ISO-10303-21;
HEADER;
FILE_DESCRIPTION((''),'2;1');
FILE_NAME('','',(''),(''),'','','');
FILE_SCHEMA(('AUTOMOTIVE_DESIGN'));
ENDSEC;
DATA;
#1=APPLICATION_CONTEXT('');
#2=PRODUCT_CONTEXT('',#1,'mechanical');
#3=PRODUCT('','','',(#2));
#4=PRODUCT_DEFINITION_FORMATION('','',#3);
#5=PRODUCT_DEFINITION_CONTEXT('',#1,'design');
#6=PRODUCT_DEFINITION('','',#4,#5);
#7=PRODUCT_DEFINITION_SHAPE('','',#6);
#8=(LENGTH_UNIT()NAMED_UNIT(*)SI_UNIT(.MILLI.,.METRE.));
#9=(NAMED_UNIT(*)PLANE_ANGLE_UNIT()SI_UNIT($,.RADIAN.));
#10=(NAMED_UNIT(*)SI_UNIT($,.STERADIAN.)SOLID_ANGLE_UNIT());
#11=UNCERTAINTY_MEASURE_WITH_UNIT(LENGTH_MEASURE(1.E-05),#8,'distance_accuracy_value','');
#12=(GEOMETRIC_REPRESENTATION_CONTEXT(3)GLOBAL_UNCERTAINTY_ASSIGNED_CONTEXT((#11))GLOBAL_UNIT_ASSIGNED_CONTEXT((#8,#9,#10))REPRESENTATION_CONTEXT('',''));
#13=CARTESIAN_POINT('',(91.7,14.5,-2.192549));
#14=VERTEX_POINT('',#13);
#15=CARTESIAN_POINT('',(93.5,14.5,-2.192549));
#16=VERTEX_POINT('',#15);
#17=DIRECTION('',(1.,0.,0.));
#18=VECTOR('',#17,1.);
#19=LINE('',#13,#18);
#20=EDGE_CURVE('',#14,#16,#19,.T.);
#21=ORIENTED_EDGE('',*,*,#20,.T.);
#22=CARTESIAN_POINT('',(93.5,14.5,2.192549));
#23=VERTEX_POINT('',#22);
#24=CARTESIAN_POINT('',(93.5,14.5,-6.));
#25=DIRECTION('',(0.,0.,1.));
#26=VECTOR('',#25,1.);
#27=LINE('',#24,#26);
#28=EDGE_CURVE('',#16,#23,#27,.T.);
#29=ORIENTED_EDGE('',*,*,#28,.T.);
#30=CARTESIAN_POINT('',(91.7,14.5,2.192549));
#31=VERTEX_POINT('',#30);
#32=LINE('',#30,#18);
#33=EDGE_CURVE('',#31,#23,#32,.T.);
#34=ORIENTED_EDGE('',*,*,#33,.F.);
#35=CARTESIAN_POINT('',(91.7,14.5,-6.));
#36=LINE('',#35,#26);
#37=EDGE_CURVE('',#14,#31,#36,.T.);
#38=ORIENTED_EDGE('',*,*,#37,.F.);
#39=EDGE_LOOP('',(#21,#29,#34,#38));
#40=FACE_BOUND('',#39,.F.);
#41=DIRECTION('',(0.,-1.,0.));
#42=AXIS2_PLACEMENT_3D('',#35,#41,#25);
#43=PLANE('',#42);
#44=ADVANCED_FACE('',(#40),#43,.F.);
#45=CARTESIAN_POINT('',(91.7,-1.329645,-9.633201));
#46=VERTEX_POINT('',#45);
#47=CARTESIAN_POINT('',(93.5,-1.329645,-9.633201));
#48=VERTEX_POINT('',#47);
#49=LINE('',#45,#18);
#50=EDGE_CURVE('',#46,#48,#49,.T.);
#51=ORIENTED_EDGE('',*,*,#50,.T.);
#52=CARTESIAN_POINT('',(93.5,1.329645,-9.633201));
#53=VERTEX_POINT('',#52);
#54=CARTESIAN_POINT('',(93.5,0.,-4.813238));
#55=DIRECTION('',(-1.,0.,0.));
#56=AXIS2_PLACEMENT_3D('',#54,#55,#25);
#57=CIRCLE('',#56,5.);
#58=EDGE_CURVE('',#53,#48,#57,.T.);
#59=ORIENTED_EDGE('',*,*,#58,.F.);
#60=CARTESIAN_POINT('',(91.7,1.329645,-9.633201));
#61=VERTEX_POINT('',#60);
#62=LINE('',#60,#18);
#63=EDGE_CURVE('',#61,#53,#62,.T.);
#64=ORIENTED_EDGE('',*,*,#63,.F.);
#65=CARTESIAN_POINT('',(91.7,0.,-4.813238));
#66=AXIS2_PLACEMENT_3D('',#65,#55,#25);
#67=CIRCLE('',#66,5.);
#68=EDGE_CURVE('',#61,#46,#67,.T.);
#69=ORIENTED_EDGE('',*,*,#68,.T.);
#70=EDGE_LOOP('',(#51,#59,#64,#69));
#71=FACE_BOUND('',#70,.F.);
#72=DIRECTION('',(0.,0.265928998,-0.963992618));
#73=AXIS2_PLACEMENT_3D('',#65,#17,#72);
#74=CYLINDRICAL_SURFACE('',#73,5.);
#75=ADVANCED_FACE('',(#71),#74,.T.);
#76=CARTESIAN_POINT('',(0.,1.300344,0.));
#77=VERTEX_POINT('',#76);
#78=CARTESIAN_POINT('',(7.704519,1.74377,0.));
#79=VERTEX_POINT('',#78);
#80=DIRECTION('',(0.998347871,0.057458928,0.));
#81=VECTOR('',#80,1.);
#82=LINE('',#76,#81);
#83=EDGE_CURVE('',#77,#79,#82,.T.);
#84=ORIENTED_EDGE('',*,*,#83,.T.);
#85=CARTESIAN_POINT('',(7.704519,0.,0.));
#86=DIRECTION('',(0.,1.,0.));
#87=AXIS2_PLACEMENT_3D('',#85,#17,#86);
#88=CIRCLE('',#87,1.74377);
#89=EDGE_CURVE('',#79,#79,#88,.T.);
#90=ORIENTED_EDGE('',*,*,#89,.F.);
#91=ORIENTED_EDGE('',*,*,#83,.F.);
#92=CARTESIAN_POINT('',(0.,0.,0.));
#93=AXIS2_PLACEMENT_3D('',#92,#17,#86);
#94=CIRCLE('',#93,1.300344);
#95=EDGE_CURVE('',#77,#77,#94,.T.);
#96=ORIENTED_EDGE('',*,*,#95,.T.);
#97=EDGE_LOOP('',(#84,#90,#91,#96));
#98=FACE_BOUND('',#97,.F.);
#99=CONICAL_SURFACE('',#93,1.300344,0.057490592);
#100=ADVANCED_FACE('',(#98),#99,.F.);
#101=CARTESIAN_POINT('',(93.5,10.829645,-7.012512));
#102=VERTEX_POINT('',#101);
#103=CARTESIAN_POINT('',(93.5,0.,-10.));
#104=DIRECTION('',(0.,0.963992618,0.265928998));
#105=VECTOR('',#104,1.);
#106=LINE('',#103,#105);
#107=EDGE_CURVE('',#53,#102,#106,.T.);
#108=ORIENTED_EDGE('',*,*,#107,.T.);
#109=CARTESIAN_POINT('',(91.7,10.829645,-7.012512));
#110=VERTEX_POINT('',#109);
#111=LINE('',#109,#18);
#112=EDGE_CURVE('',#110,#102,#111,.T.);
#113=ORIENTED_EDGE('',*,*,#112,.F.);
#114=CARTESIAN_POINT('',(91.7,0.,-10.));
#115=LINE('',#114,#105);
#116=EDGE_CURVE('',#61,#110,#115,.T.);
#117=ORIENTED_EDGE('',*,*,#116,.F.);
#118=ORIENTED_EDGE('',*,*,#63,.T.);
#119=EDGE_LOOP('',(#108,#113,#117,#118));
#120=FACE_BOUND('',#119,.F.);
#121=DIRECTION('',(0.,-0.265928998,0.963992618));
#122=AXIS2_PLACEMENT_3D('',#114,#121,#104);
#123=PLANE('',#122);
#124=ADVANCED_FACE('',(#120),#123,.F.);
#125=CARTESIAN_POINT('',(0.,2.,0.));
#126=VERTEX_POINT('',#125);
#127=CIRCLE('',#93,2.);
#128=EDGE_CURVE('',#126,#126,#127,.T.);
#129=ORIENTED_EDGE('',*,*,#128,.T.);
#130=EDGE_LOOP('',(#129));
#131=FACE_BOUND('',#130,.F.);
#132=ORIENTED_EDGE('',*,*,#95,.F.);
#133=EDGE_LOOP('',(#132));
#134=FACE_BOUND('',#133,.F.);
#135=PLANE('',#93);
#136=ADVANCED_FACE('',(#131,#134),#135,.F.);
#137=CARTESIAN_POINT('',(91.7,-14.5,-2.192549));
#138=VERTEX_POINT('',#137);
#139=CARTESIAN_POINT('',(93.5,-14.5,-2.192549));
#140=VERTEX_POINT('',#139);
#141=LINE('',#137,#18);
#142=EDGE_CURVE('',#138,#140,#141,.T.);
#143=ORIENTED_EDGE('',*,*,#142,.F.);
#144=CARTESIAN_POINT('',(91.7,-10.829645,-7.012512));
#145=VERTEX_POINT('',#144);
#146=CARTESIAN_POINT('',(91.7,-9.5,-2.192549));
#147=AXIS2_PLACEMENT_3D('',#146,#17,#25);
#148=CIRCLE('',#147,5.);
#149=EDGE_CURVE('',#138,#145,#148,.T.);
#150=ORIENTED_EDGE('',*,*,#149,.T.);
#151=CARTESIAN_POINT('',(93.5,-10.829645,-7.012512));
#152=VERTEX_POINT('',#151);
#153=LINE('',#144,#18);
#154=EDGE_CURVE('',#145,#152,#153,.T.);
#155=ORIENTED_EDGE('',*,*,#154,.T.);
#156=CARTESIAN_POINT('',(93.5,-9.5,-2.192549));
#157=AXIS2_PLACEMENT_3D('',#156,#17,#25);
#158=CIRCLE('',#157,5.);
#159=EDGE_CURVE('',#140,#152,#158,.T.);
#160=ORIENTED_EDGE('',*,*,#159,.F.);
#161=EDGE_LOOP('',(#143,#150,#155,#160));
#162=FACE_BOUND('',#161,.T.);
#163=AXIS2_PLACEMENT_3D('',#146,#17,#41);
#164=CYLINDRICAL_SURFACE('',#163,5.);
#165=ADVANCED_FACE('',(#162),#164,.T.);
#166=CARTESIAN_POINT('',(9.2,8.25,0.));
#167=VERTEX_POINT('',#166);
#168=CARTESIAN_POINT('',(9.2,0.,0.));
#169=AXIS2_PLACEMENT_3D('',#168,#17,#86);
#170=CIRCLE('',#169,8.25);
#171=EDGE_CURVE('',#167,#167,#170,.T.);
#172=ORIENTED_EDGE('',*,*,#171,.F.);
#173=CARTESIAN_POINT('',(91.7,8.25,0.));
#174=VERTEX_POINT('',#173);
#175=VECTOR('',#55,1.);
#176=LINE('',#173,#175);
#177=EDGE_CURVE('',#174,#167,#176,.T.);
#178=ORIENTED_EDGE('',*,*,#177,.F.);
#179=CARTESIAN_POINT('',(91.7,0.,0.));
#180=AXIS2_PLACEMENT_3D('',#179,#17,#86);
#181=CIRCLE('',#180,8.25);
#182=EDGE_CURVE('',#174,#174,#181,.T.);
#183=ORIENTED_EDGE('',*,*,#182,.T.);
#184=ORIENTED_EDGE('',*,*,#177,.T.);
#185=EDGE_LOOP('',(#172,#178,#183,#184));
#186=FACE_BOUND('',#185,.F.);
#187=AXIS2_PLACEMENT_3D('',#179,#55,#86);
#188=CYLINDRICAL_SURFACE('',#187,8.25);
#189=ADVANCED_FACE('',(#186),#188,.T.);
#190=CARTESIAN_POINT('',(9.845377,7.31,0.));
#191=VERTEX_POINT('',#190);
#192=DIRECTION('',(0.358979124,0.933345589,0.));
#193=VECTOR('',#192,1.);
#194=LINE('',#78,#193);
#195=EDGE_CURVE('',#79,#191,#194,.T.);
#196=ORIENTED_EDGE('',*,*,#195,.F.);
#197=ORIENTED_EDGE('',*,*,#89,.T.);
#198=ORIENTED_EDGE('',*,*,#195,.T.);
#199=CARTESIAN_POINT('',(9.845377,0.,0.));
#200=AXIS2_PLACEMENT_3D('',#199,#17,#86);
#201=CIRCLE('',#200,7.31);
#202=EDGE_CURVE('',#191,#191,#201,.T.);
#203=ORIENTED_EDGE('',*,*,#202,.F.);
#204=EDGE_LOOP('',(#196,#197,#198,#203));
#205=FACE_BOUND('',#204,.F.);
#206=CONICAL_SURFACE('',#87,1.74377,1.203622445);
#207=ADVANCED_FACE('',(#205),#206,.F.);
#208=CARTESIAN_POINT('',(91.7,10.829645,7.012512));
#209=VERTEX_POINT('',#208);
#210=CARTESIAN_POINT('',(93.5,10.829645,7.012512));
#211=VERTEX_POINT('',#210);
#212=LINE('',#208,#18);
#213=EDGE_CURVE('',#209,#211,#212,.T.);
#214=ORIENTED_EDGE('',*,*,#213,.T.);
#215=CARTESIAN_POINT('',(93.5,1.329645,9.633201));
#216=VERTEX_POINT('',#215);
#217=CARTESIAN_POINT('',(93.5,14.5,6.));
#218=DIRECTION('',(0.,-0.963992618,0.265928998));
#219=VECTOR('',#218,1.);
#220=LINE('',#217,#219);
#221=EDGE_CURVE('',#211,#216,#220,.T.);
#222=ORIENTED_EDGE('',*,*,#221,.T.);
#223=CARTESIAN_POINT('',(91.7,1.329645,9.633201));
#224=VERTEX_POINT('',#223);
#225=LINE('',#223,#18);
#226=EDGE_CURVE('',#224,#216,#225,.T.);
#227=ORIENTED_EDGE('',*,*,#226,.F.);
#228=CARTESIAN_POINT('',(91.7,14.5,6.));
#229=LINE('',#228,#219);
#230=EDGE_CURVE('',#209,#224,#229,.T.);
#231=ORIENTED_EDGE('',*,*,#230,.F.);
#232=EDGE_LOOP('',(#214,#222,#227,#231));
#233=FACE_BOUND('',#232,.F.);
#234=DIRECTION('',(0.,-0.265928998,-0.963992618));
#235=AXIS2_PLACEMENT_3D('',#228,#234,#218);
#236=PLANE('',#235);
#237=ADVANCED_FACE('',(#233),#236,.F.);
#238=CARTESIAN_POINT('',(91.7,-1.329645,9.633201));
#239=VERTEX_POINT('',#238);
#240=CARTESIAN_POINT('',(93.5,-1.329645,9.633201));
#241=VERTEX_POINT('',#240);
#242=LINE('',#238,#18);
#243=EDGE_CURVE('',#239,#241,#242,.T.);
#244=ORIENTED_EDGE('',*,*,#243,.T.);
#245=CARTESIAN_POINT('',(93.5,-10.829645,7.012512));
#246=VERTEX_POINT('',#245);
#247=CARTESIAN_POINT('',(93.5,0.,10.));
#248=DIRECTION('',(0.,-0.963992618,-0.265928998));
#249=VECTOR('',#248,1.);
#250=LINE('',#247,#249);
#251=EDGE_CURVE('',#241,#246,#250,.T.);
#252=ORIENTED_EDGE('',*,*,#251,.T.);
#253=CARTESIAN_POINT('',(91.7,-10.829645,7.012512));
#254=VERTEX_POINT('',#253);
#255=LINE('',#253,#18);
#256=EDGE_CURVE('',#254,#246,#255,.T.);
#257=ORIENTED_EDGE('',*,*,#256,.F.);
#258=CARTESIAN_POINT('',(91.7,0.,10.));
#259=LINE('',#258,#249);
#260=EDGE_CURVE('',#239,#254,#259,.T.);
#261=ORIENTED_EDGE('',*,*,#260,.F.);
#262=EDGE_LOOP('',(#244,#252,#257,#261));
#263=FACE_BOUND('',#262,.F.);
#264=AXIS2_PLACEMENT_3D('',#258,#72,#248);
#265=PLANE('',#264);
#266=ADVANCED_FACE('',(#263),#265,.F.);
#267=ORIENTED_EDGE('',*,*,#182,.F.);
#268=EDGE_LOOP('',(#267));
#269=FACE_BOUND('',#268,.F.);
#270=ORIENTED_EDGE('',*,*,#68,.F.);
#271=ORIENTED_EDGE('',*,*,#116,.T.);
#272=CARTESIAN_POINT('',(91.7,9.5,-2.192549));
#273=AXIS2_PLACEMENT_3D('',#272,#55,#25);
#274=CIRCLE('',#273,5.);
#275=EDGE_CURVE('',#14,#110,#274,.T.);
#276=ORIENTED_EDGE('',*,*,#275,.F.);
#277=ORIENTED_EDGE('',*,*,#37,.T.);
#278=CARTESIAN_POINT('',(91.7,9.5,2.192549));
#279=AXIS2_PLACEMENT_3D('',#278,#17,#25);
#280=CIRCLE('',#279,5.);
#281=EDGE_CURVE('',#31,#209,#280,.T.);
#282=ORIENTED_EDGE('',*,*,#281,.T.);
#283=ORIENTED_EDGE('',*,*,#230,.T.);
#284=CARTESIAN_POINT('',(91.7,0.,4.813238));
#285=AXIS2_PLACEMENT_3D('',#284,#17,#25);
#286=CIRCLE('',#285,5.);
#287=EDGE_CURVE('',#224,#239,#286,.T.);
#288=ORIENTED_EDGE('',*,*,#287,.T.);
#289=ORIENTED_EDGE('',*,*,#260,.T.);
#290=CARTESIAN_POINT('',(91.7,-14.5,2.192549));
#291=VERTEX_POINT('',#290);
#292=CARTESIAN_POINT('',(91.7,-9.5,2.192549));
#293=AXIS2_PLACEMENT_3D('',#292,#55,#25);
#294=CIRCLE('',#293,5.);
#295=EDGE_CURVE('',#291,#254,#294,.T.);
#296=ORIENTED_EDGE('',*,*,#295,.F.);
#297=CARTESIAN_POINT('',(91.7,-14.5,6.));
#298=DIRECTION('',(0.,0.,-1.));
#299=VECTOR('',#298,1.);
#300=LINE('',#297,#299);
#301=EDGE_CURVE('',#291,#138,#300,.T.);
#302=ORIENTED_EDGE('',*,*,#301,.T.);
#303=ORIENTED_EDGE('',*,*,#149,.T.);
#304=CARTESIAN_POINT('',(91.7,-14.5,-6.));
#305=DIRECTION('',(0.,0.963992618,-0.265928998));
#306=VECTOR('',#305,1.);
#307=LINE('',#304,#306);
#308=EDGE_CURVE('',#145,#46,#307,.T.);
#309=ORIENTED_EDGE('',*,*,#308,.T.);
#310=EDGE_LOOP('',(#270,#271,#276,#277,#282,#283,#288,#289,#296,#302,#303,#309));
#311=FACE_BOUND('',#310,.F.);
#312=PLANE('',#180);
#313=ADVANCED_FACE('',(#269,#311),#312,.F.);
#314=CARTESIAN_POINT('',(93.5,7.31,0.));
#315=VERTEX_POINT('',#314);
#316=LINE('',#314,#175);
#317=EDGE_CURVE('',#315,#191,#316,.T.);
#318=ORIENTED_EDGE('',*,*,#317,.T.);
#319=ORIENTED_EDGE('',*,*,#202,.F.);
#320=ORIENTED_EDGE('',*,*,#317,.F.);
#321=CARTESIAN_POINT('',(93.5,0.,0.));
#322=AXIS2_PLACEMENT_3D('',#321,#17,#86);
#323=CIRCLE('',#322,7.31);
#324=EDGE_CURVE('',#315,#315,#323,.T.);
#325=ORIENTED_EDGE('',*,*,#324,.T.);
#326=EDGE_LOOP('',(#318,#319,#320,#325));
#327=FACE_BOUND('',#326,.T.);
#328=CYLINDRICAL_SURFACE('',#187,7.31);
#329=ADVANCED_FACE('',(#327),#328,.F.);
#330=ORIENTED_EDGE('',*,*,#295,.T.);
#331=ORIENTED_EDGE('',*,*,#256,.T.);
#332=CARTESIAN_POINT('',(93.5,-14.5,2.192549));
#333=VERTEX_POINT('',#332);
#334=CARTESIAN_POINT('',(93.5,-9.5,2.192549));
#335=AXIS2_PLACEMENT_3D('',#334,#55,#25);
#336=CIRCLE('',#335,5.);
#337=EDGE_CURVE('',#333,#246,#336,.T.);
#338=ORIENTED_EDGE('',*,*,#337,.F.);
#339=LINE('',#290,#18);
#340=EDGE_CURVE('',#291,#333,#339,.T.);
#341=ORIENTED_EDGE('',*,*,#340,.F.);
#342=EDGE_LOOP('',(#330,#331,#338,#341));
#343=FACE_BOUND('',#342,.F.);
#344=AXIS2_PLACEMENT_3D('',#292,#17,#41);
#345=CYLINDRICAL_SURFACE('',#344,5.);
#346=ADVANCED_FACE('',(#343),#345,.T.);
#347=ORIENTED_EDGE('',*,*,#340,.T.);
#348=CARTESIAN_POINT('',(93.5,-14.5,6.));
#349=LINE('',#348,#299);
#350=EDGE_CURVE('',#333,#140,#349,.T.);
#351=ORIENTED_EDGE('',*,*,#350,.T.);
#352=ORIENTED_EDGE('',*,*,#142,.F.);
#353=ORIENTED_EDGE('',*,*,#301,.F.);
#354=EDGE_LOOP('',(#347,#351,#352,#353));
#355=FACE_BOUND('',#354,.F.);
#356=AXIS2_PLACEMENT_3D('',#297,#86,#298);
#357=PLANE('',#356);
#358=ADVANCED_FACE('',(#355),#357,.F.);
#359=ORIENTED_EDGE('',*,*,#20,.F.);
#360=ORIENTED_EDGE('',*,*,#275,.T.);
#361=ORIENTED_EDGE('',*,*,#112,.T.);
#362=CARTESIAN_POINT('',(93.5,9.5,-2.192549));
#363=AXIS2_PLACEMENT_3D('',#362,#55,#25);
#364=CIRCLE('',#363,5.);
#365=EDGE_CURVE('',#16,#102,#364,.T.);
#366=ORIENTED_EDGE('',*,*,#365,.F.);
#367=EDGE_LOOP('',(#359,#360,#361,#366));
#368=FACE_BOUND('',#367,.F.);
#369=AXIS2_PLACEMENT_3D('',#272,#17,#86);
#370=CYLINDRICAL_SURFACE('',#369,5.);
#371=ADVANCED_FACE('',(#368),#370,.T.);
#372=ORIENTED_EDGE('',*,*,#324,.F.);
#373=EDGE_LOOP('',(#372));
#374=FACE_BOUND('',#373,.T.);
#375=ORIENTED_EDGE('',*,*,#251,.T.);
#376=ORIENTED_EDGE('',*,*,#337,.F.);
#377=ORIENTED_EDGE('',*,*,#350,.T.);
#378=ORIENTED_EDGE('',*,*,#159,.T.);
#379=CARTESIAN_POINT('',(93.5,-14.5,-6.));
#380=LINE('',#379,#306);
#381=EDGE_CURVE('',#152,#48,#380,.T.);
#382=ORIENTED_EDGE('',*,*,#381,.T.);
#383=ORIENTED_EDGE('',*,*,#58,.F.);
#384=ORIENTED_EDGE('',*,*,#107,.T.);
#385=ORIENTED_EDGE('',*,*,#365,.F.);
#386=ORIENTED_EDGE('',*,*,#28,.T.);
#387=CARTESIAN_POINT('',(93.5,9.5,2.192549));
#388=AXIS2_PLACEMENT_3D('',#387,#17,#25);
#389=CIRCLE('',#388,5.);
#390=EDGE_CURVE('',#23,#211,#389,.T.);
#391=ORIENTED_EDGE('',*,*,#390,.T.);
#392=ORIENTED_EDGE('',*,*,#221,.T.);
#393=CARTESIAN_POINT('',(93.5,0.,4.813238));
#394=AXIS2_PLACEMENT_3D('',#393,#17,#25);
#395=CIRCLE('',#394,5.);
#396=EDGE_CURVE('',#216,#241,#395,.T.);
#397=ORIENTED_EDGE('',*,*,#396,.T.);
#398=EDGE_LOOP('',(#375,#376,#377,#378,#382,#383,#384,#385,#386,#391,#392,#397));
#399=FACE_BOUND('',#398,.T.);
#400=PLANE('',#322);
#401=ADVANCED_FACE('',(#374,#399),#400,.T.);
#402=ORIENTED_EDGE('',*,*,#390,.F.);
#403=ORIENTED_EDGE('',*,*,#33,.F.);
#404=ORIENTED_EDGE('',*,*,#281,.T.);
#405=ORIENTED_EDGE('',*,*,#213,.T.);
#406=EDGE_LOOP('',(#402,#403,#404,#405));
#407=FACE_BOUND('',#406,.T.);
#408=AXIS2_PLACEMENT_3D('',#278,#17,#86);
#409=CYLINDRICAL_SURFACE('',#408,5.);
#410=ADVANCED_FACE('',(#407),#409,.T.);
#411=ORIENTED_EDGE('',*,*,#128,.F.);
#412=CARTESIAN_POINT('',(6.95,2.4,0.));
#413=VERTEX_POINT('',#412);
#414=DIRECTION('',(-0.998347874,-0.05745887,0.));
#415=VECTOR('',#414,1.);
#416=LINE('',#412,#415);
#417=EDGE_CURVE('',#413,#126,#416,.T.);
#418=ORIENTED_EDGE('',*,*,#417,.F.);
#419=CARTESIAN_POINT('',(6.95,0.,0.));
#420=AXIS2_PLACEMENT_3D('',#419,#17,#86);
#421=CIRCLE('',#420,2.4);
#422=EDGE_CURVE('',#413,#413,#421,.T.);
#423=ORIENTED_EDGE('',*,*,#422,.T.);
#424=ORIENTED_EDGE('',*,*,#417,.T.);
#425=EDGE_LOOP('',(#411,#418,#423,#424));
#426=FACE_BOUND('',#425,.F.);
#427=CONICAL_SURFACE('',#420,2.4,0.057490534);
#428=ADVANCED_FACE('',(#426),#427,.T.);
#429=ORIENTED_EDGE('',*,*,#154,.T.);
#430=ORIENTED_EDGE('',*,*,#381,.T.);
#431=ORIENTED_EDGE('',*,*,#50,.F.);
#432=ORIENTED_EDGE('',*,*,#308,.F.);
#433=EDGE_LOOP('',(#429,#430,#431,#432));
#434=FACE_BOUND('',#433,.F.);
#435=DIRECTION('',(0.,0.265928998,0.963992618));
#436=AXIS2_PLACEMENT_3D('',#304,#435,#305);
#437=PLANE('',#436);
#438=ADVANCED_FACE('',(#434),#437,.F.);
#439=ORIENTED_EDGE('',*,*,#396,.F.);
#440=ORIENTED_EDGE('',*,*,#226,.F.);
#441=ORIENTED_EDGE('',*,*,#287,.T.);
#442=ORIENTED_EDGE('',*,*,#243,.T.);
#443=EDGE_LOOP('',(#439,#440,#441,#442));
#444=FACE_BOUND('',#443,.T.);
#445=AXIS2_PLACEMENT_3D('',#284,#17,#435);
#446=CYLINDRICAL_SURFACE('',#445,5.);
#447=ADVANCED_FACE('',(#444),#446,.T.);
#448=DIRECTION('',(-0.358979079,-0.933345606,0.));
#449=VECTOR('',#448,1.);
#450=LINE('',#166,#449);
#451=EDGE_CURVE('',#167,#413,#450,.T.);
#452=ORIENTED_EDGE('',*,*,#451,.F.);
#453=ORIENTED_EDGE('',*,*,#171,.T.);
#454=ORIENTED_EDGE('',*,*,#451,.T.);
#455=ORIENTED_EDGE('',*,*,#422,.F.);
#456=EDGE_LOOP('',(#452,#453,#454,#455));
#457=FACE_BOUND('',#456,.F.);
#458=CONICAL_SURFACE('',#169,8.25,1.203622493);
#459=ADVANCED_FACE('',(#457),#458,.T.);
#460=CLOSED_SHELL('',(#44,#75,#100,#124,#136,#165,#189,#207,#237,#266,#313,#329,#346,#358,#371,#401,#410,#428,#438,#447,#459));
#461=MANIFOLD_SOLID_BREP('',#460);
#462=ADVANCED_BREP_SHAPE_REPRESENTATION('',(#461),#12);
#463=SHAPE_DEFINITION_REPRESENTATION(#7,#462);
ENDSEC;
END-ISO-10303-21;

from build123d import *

# Parameters (mm, degrees)
F2_R     = 7.31
F3_DEPTH = 1.8
F4_R     = 5


with BuildPart() as f1:
    # F0 (on Top) → F1 (revolve)
    with BuildSketch(Plane.XY):
        Polygon((91.7, 8.25), (9.2, 8.25), (6.95, 2.4), (0, 2), (0, 1.300344), (7.704519, 1.74377), (9.845377, 7.31), (91.7, 7.31), align=None)
    revolve(axis=Axis((40.51489, 0, 0), (1, 0, 0)))

    # F2 (on face) → F3 (join)
    with BuildSketch(Plane.YZ.offset(91.7)):
        Polygon((-14.5, 6), (-14.5, 0), (-14.5, -6), (0, -10), (14.5, -6), (14.5, 0), (14.5, 6), (0, 10), align=None)
        Circle(F2_R, mode=Mode.SUBTRACT)
    extrude(amount=F3_DEPTH)

    # F4
    f4_edges = [f1.edges().sort_by_distance(p)[0] for p in [
        (92.6, -14.5, 6),
        (92.6, -14.5, -6),
        (92.6, 0, -10),
        (92.6, 14.5, -6),
        (92.6, 14.5, 6),
        (92.6, 0, 10),
    ]]
    fillet(f4_edges, radius=F4_R)


solid = f1.part
